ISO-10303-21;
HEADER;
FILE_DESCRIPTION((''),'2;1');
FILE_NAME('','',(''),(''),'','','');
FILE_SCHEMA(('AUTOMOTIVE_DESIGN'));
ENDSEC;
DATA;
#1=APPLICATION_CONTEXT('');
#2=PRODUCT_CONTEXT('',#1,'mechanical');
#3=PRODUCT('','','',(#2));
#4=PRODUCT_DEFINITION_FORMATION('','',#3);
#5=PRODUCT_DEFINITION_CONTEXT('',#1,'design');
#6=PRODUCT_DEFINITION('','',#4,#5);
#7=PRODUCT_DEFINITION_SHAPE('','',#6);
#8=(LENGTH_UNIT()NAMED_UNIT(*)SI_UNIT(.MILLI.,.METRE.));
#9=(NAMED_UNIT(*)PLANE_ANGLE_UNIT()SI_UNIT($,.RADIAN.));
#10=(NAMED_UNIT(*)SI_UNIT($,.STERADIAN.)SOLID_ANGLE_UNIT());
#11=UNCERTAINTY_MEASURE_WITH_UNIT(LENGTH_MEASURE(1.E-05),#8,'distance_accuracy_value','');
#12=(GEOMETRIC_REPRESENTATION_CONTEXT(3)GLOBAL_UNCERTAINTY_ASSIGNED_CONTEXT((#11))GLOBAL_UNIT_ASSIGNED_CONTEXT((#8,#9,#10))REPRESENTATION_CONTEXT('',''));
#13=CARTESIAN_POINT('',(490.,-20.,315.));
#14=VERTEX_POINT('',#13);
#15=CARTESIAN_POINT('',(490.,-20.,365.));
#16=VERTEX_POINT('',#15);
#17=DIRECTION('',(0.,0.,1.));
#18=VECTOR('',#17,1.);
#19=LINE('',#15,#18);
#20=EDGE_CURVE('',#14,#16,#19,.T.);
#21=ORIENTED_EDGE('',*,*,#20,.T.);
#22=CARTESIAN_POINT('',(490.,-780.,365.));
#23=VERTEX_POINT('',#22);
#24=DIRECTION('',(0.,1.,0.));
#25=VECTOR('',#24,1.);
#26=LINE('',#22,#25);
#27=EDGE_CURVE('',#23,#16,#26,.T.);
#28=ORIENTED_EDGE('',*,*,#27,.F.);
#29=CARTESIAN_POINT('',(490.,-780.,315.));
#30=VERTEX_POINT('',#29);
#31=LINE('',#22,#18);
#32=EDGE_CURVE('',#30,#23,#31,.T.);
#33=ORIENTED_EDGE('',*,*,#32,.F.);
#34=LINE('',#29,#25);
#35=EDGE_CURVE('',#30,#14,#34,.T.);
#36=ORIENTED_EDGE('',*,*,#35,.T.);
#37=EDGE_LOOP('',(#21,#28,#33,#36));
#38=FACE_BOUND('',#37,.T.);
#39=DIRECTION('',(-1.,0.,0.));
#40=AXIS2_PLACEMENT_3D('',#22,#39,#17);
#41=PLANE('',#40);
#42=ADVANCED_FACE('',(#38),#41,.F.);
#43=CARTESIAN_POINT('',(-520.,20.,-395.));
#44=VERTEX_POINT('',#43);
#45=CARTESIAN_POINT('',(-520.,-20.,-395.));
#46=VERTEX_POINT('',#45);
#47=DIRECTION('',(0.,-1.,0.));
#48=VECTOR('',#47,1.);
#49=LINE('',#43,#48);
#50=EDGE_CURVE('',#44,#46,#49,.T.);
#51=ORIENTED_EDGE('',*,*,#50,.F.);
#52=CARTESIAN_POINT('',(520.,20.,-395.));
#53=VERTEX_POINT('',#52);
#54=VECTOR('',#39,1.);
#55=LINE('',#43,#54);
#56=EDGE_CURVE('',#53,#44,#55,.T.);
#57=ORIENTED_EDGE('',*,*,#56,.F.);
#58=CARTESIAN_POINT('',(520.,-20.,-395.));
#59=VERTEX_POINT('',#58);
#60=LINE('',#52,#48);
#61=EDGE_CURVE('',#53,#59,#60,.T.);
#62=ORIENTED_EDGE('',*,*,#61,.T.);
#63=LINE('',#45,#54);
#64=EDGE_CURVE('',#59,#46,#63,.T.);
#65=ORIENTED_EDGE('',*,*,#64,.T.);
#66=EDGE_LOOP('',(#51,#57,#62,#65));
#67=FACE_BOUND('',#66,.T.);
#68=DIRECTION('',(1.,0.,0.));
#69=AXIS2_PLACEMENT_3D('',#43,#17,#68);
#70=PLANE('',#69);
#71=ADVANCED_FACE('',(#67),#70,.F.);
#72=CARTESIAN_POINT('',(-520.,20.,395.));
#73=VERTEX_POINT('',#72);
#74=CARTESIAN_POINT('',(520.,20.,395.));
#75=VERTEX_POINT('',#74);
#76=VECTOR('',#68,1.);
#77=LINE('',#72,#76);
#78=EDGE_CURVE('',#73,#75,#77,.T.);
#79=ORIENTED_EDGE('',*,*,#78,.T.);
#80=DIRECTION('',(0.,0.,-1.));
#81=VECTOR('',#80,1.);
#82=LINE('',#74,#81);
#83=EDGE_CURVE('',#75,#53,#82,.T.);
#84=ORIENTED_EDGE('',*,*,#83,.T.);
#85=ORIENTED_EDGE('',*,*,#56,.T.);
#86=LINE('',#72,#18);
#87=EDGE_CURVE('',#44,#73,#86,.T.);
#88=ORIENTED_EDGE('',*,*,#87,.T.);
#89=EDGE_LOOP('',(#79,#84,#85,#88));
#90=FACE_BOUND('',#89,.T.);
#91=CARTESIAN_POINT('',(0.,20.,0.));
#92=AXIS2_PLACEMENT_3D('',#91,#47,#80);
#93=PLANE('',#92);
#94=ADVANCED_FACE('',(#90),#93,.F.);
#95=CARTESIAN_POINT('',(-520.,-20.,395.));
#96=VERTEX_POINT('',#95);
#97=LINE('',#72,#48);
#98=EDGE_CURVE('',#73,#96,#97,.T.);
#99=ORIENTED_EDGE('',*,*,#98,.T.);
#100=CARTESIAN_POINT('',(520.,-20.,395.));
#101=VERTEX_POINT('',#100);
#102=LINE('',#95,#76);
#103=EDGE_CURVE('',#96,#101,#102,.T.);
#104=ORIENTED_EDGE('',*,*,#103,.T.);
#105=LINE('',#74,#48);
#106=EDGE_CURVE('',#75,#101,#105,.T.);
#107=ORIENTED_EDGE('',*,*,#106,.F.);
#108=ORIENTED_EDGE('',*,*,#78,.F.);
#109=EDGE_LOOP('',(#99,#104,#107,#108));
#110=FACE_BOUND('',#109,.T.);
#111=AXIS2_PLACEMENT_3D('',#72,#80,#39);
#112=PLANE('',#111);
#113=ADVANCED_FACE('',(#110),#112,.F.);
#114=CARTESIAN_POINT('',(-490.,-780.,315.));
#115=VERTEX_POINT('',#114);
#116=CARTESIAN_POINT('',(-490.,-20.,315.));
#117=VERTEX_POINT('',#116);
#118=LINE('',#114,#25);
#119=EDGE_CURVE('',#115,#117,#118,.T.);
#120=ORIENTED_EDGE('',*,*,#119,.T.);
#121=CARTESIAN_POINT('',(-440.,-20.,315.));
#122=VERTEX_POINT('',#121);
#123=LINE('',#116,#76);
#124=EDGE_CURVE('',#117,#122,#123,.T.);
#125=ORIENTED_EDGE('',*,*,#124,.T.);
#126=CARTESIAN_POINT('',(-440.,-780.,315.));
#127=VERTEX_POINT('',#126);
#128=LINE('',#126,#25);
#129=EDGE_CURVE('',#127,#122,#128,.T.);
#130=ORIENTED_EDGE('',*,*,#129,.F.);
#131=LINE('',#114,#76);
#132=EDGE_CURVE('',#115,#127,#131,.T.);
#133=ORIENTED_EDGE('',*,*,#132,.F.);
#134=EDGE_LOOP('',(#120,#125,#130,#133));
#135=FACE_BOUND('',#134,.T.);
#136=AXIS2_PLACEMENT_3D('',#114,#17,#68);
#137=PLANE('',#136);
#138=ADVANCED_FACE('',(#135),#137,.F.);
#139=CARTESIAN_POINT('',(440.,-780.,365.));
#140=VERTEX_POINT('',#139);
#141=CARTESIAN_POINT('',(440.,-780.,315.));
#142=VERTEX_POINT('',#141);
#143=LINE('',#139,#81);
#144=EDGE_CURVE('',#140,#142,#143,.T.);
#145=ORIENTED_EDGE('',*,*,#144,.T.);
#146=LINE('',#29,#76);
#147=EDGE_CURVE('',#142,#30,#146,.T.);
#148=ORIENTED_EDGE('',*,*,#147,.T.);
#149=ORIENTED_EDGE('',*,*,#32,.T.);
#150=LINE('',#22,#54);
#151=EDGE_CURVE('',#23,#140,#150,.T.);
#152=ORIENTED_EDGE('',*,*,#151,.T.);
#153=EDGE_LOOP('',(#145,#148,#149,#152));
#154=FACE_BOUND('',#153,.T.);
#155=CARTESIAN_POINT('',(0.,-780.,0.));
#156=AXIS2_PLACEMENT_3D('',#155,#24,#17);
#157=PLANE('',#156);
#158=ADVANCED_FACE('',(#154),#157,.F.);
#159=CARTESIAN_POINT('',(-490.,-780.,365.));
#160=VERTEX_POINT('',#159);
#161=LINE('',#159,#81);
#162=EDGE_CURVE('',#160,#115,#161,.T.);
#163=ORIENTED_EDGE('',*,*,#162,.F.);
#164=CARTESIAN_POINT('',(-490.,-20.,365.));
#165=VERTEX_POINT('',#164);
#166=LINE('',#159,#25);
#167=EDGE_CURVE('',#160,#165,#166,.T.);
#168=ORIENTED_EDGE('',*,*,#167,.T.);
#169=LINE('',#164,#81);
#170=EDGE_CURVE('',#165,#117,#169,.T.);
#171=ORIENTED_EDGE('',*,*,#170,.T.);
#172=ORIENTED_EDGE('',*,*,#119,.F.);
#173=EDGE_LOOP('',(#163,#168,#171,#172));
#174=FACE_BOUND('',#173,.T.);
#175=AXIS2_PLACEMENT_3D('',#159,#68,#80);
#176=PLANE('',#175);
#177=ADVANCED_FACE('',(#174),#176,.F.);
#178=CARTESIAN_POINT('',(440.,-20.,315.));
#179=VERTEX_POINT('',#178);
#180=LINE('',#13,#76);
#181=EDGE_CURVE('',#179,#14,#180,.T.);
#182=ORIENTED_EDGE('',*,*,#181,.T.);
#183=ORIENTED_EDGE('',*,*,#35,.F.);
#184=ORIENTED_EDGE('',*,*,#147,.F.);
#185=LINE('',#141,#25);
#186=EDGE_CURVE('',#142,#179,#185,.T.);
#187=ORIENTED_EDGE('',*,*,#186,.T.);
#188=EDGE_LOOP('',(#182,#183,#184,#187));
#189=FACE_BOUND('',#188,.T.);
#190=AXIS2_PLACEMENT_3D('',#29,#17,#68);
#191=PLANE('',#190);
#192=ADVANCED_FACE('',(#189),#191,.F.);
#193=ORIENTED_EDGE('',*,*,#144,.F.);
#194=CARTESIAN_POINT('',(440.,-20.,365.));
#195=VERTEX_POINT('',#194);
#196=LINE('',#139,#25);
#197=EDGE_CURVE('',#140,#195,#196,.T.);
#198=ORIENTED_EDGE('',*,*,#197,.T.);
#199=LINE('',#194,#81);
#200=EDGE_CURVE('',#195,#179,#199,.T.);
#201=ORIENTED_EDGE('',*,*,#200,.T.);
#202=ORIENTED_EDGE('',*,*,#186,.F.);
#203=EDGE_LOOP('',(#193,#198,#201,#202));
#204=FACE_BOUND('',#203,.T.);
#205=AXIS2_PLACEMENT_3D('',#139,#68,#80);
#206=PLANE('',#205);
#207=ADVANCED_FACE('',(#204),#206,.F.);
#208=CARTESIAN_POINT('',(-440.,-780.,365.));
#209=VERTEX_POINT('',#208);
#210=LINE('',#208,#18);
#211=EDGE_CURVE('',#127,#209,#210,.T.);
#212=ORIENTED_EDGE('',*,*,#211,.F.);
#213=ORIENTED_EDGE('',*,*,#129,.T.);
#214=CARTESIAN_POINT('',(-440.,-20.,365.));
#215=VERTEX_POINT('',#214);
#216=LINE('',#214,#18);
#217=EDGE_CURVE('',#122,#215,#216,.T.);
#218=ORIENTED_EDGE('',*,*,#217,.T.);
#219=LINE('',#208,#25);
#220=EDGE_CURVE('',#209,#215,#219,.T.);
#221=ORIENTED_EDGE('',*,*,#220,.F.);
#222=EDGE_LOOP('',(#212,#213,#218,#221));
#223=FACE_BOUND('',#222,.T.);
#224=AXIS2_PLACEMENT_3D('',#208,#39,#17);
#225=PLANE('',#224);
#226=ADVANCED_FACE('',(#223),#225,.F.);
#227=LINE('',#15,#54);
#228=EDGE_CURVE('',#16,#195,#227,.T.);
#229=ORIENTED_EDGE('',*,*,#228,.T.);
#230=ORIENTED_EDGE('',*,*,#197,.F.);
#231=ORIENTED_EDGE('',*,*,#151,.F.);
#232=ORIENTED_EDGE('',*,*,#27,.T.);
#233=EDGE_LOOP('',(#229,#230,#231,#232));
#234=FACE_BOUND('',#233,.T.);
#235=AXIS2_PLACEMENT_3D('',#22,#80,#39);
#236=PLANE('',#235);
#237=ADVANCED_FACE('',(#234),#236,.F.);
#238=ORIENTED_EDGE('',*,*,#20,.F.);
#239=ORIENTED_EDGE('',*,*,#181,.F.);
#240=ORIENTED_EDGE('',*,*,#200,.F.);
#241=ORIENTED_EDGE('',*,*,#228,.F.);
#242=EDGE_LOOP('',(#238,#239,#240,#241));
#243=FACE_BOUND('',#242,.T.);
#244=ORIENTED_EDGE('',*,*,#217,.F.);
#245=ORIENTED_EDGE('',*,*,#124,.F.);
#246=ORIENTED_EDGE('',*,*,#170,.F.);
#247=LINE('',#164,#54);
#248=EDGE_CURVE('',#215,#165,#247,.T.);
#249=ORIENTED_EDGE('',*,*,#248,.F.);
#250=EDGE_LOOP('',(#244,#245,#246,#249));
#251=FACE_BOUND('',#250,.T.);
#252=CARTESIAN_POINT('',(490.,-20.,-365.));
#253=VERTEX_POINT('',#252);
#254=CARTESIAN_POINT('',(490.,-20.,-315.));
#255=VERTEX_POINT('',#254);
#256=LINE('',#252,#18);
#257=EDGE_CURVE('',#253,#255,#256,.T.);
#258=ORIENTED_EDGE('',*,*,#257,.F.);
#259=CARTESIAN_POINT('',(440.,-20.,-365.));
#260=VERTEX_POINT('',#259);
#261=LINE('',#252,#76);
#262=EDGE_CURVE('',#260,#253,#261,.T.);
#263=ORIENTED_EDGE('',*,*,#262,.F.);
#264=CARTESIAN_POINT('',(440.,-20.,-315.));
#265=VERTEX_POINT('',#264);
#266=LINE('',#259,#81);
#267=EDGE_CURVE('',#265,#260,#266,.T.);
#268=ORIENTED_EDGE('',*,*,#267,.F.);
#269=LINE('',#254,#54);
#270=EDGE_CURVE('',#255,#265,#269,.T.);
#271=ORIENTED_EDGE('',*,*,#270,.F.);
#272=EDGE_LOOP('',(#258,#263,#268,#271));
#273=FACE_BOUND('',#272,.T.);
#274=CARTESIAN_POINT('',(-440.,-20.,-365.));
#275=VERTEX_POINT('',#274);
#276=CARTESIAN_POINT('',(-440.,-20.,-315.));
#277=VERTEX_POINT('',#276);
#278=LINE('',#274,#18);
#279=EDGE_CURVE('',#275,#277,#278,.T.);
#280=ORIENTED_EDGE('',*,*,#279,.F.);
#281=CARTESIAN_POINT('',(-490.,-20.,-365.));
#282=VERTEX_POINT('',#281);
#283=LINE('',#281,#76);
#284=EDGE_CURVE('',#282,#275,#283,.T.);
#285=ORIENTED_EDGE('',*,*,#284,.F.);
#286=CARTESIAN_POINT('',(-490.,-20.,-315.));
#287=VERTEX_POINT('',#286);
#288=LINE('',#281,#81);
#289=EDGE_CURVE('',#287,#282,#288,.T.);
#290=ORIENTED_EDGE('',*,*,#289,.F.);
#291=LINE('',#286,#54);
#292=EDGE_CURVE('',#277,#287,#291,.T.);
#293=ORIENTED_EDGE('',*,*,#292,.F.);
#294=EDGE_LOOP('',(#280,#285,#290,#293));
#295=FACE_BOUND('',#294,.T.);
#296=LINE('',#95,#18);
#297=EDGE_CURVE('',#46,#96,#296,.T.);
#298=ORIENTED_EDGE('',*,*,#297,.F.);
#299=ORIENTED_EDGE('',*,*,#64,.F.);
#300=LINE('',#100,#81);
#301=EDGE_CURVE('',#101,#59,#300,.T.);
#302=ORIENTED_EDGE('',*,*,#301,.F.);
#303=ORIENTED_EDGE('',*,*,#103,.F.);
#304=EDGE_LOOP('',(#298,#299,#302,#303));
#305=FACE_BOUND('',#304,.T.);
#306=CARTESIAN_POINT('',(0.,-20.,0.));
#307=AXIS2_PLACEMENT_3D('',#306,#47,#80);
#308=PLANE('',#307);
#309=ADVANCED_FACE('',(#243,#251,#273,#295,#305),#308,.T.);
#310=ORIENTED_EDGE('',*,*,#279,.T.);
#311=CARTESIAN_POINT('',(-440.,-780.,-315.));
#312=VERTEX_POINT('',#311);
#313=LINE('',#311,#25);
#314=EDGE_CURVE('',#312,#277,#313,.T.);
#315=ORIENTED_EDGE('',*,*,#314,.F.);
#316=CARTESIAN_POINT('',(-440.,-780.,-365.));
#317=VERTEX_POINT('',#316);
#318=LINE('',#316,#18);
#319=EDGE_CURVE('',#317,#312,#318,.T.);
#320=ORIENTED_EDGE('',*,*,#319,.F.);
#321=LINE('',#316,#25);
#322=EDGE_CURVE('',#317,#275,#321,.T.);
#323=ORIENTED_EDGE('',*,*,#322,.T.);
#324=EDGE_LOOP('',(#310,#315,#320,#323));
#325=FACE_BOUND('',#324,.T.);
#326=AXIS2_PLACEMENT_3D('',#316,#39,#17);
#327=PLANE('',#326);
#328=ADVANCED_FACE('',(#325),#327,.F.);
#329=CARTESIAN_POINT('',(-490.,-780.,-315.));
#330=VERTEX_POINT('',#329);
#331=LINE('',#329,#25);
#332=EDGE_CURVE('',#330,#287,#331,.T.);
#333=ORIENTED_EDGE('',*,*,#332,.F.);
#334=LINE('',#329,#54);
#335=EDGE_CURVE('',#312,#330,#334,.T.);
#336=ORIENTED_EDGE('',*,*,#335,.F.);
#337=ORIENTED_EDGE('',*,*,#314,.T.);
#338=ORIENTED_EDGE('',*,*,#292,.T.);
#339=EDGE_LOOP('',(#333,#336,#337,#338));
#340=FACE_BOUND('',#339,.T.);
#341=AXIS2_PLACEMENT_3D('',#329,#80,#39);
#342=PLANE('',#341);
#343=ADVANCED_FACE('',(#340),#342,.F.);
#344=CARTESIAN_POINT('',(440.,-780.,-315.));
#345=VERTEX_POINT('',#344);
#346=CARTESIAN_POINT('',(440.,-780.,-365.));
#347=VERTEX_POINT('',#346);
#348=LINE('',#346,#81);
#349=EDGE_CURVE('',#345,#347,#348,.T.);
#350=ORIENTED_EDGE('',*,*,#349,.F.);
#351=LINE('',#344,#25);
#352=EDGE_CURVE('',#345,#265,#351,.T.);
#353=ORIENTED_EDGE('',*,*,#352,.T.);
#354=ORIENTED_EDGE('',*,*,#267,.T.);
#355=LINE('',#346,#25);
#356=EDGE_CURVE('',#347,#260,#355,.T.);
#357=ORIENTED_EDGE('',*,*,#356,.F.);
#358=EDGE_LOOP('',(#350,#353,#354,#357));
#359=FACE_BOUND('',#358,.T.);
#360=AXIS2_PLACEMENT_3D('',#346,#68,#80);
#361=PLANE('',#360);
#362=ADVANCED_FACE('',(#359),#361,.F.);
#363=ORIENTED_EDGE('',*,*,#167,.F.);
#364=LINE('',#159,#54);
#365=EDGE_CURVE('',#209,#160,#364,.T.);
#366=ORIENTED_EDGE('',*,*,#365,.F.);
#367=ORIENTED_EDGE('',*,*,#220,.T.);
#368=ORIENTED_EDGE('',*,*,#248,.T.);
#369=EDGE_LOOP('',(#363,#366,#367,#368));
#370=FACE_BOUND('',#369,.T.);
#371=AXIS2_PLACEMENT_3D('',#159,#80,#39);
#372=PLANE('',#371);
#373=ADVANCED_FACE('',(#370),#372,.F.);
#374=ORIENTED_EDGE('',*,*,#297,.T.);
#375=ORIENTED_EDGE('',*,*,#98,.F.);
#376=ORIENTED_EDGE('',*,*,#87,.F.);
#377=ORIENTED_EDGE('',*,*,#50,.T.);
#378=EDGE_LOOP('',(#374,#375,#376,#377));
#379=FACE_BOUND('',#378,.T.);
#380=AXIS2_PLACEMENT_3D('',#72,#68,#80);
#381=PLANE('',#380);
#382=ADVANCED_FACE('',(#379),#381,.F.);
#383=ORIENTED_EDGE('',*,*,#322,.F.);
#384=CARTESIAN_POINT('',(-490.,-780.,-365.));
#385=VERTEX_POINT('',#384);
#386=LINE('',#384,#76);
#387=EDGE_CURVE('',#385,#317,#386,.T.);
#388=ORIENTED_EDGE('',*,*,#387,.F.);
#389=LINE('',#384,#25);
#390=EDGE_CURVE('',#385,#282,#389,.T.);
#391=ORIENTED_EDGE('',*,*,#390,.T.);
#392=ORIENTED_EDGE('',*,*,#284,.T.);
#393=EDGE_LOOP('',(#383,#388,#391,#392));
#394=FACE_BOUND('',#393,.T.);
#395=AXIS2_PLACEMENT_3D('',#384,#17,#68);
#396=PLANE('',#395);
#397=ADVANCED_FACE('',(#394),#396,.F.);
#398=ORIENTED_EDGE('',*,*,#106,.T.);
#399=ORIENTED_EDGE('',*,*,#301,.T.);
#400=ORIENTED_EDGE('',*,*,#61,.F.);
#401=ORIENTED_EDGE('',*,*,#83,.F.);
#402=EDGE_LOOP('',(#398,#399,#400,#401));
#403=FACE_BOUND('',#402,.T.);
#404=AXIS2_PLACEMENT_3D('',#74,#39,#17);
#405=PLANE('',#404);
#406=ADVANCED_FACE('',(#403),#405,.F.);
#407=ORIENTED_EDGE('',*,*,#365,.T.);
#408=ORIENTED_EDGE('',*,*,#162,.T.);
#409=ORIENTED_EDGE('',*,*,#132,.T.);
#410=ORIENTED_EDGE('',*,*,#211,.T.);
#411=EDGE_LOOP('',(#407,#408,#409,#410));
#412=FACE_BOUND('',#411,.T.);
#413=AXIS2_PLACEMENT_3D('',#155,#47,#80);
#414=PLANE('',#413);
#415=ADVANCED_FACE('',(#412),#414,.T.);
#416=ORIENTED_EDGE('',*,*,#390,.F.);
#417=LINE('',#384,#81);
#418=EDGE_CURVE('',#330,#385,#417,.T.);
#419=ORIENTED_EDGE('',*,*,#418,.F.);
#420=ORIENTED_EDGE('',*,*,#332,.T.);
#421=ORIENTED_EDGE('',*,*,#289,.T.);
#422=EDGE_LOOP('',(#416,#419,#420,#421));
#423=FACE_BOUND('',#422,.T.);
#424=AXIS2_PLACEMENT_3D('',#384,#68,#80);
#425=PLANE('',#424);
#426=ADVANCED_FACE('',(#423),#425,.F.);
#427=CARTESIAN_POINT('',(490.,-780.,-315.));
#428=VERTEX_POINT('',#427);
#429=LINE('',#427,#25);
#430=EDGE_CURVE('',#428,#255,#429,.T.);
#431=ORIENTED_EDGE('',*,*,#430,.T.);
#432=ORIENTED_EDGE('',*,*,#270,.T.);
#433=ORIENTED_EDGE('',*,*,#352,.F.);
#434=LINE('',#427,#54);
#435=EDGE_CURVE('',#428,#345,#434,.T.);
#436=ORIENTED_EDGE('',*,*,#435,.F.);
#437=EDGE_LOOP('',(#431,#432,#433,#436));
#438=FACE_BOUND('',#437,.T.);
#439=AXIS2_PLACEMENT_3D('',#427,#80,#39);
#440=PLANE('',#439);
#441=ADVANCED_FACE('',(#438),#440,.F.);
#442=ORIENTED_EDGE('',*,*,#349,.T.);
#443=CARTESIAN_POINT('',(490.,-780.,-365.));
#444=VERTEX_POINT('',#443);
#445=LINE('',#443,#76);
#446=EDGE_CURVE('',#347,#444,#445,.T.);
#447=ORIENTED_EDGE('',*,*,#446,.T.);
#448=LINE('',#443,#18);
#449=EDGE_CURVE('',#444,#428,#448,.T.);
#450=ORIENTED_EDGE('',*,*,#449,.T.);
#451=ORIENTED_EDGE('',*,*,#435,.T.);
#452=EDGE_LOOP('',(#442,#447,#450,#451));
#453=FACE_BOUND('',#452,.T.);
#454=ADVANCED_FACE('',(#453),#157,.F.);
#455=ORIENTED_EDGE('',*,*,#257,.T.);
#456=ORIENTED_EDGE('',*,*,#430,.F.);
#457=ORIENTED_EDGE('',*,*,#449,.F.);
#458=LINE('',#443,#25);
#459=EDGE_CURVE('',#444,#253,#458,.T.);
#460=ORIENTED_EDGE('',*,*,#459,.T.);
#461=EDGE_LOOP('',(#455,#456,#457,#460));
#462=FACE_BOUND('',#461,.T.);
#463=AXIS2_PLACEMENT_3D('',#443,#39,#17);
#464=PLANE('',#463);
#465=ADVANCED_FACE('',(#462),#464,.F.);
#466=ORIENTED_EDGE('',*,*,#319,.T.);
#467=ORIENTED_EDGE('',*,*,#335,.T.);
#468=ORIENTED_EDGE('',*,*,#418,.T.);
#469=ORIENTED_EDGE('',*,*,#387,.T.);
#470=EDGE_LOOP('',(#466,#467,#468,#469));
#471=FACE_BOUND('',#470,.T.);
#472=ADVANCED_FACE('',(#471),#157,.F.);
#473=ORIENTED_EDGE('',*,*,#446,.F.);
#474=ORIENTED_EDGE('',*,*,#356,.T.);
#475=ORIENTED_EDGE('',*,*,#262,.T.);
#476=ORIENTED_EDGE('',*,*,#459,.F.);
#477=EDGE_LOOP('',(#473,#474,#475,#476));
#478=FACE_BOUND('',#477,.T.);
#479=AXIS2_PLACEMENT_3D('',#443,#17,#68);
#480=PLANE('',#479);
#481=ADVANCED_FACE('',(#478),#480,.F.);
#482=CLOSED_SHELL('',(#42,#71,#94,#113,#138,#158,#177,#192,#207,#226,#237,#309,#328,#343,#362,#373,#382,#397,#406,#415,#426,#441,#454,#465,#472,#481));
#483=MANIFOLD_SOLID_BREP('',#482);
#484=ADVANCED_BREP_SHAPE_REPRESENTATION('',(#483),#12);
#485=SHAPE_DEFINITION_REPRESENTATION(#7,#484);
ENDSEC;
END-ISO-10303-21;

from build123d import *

# Parameters (mm, degrees)
SKETCH1_W           = 1040
SKETCH1_H           = 790
BOSS_EXTRUDE1_DEPTH = 20
SKETCH2_W           = 50
SKETCH2_H           = 50
BOSS_EXTRUDE2_DEPTH = 760


with BuildPart() as part:
    # Sketch1 → Boss-Extrude1 (new, symmetric)
    with BuildSketch(Plane(origin=(0, 0, 0), x_dir=(1, 0, 0), z_dir=(0, 1, 0))):
        Rectangle(SKETCH1_W, SKETCH1_H)
    extrude(amount=BOSS_EXTRUDE1_DEPTH, both=True)

    # Sketch2 → Boss-Extrude2 (add)
    with BuildSketch(Plane.XZ.offset(20)):
        with Locations((-465, 340)):
            Rectangle(SKETCH2_W, SKETCH2_H)
        with Locations((-465, -340)):
            Rectangle(SKETCH2_W, SKETCH2_H)
        with Locations((465, -340)):
            Rectangle(SKETCH2_W, SKETCH2_H)
        with Locations((465, 340)):
            Rectangle(SKETCH2_W, SKETCH2_H)
    extrude(amount=BOSS_EXTRUDE2_DEPTH)


solid = part.part
